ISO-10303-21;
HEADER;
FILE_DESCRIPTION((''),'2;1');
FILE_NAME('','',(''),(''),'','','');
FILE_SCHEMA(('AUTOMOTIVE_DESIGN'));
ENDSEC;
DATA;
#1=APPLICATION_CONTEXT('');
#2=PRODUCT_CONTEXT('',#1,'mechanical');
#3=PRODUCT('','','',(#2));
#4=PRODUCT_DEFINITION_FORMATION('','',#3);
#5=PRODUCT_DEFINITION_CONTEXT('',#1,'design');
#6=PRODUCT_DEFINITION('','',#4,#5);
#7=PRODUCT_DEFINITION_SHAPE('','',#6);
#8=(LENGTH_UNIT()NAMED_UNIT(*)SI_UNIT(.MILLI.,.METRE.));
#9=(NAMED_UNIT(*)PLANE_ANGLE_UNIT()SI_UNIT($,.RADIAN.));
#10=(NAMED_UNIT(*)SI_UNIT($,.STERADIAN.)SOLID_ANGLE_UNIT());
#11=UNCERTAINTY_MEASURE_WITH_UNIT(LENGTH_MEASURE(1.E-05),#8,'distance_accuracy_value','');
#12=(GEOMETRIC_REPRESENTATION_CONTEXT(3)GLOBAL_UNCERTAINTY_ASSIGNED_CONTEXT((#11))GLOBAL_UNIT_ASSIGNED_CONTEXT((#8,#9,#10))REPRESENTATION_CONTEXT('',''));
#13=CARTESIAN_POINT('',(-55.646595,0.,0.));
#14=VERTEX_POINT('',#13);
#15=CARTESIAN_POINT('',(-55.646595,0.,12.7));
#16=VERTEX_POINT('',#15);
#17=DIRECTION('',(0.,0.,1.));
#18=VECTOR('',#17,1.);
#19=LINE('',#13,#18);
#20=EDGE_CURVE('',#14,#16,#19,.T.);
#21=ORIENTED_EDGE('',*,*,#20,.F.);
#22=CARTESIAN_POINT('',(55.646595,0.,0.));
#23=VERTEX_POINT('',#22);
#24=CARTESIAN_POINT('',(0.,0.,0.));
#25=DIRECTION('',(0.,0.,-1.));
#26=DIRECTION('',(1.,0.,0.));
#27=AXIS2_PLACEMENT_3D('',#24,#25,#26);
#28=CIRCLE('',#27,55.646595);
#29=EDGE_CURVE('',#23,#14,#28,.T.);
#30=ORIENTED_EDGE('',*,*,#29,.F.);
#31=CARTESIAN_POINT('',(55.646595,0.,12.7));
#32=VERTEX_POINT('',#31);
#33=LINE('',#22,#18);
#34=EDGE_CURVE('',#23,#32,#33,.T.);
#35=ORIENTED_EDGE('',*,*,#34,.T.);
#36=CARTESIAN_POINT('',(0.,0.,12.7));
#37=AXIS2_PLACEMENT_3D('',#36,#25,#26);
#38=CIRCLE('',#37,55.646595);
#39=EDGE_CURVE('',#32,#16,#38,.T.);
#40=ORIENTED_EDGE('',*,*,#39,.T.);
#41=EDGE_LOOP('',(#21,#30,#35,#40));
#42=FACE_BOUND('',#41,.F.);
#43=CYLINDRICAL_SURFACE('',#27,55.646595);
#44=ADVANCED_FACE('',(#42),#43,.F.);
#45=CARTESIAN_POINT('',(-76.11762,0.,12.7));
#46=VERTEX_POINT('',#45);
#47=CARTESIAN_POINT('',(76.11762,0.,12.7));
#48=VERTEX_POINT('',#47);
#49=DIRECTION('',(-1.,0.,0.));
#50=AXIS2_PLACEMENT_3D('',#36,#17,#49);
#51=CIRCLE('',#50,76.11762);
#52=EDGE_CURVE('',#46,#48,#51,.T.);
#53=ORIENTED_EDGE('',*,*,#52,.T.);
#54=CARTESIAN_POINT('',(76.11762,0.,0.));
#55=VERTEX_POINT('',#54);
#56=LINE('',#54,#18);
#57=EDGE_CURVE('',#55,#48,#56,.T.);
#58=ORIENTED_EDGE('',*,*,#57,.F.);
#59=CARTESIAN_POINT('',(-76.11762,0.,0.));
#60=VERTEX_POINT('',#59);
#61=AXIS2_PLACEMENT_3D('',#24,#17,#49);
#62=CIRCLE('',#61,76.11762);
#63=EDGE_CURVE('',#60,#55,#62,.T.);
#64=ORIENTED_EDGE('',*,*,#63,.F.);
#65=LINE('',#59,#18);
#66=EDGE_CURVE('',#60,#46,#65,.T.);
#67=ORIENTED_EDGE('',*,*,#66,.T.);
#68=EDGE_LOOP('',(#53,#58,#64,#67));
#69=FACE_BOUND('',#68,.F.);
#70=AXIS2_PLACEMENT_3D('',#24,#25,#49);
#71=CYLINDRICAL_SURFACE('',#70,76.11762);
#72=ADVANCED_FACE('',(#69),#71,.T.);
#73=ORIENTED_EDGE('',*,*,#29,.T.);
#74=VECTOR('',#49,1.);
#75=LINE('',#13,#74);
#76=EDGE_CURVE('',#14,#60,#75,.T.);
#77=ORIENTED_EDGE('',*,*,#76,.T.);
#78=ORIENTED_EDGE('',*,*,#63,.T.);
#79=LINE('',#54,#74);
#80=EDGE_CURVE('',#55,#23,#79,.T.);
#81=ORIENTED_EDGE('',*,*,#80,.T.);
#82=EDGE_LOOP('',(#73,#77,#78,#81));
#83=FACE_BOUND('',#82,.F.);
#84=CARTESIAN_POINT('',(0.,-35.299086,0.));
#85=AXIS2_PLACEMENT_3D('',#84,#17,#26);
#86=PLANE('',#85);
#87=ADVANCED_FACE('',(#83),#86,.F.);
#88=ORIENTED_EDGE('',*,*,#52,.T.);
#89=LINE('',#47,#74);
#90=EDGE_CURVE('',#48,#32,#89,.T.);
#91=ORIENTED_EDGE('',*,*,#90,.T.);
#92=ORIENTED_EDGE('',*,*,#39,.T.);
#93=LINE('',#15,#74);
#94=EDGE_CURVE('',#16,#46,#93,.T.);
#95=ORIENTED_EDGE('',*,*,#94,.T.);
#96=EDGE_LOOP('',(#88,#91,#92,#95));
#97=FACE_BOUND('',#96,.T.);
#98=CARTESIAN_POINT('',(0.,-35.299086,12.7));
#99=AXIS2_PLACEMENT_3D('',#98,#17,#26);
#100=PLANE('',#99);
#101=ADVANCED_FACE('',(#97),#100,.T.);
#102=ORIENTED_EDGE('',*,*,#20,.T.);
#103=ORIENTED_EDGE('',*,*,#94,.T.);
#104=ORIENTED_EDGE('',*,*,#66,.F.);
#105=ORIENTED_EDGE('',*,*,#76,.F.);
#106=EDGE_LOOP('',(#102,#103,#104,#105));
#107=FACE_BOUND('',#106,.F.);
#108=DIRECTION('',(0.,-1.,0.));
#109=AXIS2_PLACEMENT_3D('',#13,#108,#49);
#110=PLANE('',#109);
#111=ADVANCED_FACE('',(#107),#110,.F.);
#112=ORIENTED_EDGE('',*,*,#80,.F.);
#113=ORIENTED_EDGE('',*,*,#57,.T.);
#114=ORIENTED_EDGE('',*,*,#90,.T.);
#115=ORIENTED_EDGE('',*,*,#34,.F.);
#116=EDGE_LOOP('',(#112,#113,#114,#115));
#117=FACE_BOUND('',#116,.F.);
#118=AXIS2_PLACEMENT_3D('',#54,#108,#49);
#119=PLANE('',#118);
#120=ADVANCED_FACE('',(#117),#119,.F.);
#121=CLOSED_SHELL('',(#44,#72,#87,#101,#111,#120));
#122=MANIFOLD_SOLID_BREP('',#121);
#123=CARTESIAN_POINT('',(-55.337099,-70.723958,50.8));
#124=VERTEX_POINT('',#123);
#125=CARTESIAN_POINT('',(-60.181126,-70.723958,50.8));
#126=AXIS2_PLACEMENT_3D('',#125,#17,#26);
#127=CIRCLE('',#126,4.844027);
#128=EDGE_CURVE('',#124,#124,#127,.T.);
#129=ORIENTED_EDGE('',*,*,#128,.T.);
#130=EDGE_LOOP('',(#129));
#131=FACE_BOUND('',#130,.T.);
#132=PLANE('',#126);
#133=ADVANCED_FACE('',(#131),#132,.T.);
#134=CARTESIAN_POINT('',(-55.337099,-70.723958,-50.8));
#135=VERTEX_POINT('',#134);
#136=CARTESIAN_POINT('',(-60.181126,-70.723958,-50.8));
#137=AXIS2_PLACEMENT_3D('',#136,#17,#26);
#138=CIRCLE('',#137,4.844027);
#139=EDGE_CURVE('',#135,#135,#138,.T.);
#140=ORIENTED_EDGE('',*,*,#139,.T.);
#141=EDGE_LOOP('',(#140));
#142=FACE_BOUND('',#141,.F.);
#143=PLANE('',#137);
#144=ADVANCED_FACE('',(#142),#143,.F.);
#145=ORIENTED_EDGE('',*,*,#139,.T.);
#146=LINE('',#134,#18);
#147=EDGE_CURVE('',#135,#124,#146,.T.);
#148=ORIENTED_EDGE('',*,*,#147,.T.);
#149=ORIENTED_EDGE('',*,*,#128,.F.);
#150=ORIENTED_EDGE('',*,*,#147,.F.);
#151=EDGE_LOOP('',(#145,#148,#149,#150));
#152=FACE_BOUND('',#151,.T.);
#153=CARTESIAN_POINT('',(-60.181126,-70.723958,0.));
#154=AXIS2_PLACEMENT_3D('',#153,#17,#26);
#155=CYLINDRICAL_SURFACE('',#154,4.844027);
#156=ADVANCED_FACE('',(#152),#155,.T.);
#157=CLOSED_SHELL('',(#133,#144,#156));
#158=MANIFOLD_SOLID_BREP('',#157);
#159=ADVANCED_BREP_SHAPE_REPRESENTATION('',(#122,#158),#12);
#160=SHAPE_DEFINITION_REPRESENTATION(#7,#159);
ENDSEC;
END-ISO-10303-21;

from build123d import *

# Parameters (mm, degrees)
F1_DEPTH = 12.7
F2_R     = 4.844027
F3_DEPTH = 50.8


with BuildPart() as f1:
    # F0 (on Top) → F1 (new body)
    with BuildSketch(Plane.XY):
        with BuildLine():
            Line((-55.646595, 0), (-76.11762, 0))
            ThreePointArc((-76.11762, 0), (0, -76.11762), (76.11762, 0))
            Line((76.11762, 0), (55.646595, 0))
            ThreePointArc((55.646595, 0), (0, -55.646595), (-55.646595, 0))
        make_face()
    extrude(amount=F1_DEPTH)


with BuildPart() as f3:
    # F2 (on Top) → F3 (new body, symmetric)
    with BuildSketch(Plane.XY):
        with Locations((-60.181126, -70.723958)):
            Circle(F2_R)
    extrude(amount=F3_DEPTH, both=True)


solid = Compound([f1.part, f3.part])
